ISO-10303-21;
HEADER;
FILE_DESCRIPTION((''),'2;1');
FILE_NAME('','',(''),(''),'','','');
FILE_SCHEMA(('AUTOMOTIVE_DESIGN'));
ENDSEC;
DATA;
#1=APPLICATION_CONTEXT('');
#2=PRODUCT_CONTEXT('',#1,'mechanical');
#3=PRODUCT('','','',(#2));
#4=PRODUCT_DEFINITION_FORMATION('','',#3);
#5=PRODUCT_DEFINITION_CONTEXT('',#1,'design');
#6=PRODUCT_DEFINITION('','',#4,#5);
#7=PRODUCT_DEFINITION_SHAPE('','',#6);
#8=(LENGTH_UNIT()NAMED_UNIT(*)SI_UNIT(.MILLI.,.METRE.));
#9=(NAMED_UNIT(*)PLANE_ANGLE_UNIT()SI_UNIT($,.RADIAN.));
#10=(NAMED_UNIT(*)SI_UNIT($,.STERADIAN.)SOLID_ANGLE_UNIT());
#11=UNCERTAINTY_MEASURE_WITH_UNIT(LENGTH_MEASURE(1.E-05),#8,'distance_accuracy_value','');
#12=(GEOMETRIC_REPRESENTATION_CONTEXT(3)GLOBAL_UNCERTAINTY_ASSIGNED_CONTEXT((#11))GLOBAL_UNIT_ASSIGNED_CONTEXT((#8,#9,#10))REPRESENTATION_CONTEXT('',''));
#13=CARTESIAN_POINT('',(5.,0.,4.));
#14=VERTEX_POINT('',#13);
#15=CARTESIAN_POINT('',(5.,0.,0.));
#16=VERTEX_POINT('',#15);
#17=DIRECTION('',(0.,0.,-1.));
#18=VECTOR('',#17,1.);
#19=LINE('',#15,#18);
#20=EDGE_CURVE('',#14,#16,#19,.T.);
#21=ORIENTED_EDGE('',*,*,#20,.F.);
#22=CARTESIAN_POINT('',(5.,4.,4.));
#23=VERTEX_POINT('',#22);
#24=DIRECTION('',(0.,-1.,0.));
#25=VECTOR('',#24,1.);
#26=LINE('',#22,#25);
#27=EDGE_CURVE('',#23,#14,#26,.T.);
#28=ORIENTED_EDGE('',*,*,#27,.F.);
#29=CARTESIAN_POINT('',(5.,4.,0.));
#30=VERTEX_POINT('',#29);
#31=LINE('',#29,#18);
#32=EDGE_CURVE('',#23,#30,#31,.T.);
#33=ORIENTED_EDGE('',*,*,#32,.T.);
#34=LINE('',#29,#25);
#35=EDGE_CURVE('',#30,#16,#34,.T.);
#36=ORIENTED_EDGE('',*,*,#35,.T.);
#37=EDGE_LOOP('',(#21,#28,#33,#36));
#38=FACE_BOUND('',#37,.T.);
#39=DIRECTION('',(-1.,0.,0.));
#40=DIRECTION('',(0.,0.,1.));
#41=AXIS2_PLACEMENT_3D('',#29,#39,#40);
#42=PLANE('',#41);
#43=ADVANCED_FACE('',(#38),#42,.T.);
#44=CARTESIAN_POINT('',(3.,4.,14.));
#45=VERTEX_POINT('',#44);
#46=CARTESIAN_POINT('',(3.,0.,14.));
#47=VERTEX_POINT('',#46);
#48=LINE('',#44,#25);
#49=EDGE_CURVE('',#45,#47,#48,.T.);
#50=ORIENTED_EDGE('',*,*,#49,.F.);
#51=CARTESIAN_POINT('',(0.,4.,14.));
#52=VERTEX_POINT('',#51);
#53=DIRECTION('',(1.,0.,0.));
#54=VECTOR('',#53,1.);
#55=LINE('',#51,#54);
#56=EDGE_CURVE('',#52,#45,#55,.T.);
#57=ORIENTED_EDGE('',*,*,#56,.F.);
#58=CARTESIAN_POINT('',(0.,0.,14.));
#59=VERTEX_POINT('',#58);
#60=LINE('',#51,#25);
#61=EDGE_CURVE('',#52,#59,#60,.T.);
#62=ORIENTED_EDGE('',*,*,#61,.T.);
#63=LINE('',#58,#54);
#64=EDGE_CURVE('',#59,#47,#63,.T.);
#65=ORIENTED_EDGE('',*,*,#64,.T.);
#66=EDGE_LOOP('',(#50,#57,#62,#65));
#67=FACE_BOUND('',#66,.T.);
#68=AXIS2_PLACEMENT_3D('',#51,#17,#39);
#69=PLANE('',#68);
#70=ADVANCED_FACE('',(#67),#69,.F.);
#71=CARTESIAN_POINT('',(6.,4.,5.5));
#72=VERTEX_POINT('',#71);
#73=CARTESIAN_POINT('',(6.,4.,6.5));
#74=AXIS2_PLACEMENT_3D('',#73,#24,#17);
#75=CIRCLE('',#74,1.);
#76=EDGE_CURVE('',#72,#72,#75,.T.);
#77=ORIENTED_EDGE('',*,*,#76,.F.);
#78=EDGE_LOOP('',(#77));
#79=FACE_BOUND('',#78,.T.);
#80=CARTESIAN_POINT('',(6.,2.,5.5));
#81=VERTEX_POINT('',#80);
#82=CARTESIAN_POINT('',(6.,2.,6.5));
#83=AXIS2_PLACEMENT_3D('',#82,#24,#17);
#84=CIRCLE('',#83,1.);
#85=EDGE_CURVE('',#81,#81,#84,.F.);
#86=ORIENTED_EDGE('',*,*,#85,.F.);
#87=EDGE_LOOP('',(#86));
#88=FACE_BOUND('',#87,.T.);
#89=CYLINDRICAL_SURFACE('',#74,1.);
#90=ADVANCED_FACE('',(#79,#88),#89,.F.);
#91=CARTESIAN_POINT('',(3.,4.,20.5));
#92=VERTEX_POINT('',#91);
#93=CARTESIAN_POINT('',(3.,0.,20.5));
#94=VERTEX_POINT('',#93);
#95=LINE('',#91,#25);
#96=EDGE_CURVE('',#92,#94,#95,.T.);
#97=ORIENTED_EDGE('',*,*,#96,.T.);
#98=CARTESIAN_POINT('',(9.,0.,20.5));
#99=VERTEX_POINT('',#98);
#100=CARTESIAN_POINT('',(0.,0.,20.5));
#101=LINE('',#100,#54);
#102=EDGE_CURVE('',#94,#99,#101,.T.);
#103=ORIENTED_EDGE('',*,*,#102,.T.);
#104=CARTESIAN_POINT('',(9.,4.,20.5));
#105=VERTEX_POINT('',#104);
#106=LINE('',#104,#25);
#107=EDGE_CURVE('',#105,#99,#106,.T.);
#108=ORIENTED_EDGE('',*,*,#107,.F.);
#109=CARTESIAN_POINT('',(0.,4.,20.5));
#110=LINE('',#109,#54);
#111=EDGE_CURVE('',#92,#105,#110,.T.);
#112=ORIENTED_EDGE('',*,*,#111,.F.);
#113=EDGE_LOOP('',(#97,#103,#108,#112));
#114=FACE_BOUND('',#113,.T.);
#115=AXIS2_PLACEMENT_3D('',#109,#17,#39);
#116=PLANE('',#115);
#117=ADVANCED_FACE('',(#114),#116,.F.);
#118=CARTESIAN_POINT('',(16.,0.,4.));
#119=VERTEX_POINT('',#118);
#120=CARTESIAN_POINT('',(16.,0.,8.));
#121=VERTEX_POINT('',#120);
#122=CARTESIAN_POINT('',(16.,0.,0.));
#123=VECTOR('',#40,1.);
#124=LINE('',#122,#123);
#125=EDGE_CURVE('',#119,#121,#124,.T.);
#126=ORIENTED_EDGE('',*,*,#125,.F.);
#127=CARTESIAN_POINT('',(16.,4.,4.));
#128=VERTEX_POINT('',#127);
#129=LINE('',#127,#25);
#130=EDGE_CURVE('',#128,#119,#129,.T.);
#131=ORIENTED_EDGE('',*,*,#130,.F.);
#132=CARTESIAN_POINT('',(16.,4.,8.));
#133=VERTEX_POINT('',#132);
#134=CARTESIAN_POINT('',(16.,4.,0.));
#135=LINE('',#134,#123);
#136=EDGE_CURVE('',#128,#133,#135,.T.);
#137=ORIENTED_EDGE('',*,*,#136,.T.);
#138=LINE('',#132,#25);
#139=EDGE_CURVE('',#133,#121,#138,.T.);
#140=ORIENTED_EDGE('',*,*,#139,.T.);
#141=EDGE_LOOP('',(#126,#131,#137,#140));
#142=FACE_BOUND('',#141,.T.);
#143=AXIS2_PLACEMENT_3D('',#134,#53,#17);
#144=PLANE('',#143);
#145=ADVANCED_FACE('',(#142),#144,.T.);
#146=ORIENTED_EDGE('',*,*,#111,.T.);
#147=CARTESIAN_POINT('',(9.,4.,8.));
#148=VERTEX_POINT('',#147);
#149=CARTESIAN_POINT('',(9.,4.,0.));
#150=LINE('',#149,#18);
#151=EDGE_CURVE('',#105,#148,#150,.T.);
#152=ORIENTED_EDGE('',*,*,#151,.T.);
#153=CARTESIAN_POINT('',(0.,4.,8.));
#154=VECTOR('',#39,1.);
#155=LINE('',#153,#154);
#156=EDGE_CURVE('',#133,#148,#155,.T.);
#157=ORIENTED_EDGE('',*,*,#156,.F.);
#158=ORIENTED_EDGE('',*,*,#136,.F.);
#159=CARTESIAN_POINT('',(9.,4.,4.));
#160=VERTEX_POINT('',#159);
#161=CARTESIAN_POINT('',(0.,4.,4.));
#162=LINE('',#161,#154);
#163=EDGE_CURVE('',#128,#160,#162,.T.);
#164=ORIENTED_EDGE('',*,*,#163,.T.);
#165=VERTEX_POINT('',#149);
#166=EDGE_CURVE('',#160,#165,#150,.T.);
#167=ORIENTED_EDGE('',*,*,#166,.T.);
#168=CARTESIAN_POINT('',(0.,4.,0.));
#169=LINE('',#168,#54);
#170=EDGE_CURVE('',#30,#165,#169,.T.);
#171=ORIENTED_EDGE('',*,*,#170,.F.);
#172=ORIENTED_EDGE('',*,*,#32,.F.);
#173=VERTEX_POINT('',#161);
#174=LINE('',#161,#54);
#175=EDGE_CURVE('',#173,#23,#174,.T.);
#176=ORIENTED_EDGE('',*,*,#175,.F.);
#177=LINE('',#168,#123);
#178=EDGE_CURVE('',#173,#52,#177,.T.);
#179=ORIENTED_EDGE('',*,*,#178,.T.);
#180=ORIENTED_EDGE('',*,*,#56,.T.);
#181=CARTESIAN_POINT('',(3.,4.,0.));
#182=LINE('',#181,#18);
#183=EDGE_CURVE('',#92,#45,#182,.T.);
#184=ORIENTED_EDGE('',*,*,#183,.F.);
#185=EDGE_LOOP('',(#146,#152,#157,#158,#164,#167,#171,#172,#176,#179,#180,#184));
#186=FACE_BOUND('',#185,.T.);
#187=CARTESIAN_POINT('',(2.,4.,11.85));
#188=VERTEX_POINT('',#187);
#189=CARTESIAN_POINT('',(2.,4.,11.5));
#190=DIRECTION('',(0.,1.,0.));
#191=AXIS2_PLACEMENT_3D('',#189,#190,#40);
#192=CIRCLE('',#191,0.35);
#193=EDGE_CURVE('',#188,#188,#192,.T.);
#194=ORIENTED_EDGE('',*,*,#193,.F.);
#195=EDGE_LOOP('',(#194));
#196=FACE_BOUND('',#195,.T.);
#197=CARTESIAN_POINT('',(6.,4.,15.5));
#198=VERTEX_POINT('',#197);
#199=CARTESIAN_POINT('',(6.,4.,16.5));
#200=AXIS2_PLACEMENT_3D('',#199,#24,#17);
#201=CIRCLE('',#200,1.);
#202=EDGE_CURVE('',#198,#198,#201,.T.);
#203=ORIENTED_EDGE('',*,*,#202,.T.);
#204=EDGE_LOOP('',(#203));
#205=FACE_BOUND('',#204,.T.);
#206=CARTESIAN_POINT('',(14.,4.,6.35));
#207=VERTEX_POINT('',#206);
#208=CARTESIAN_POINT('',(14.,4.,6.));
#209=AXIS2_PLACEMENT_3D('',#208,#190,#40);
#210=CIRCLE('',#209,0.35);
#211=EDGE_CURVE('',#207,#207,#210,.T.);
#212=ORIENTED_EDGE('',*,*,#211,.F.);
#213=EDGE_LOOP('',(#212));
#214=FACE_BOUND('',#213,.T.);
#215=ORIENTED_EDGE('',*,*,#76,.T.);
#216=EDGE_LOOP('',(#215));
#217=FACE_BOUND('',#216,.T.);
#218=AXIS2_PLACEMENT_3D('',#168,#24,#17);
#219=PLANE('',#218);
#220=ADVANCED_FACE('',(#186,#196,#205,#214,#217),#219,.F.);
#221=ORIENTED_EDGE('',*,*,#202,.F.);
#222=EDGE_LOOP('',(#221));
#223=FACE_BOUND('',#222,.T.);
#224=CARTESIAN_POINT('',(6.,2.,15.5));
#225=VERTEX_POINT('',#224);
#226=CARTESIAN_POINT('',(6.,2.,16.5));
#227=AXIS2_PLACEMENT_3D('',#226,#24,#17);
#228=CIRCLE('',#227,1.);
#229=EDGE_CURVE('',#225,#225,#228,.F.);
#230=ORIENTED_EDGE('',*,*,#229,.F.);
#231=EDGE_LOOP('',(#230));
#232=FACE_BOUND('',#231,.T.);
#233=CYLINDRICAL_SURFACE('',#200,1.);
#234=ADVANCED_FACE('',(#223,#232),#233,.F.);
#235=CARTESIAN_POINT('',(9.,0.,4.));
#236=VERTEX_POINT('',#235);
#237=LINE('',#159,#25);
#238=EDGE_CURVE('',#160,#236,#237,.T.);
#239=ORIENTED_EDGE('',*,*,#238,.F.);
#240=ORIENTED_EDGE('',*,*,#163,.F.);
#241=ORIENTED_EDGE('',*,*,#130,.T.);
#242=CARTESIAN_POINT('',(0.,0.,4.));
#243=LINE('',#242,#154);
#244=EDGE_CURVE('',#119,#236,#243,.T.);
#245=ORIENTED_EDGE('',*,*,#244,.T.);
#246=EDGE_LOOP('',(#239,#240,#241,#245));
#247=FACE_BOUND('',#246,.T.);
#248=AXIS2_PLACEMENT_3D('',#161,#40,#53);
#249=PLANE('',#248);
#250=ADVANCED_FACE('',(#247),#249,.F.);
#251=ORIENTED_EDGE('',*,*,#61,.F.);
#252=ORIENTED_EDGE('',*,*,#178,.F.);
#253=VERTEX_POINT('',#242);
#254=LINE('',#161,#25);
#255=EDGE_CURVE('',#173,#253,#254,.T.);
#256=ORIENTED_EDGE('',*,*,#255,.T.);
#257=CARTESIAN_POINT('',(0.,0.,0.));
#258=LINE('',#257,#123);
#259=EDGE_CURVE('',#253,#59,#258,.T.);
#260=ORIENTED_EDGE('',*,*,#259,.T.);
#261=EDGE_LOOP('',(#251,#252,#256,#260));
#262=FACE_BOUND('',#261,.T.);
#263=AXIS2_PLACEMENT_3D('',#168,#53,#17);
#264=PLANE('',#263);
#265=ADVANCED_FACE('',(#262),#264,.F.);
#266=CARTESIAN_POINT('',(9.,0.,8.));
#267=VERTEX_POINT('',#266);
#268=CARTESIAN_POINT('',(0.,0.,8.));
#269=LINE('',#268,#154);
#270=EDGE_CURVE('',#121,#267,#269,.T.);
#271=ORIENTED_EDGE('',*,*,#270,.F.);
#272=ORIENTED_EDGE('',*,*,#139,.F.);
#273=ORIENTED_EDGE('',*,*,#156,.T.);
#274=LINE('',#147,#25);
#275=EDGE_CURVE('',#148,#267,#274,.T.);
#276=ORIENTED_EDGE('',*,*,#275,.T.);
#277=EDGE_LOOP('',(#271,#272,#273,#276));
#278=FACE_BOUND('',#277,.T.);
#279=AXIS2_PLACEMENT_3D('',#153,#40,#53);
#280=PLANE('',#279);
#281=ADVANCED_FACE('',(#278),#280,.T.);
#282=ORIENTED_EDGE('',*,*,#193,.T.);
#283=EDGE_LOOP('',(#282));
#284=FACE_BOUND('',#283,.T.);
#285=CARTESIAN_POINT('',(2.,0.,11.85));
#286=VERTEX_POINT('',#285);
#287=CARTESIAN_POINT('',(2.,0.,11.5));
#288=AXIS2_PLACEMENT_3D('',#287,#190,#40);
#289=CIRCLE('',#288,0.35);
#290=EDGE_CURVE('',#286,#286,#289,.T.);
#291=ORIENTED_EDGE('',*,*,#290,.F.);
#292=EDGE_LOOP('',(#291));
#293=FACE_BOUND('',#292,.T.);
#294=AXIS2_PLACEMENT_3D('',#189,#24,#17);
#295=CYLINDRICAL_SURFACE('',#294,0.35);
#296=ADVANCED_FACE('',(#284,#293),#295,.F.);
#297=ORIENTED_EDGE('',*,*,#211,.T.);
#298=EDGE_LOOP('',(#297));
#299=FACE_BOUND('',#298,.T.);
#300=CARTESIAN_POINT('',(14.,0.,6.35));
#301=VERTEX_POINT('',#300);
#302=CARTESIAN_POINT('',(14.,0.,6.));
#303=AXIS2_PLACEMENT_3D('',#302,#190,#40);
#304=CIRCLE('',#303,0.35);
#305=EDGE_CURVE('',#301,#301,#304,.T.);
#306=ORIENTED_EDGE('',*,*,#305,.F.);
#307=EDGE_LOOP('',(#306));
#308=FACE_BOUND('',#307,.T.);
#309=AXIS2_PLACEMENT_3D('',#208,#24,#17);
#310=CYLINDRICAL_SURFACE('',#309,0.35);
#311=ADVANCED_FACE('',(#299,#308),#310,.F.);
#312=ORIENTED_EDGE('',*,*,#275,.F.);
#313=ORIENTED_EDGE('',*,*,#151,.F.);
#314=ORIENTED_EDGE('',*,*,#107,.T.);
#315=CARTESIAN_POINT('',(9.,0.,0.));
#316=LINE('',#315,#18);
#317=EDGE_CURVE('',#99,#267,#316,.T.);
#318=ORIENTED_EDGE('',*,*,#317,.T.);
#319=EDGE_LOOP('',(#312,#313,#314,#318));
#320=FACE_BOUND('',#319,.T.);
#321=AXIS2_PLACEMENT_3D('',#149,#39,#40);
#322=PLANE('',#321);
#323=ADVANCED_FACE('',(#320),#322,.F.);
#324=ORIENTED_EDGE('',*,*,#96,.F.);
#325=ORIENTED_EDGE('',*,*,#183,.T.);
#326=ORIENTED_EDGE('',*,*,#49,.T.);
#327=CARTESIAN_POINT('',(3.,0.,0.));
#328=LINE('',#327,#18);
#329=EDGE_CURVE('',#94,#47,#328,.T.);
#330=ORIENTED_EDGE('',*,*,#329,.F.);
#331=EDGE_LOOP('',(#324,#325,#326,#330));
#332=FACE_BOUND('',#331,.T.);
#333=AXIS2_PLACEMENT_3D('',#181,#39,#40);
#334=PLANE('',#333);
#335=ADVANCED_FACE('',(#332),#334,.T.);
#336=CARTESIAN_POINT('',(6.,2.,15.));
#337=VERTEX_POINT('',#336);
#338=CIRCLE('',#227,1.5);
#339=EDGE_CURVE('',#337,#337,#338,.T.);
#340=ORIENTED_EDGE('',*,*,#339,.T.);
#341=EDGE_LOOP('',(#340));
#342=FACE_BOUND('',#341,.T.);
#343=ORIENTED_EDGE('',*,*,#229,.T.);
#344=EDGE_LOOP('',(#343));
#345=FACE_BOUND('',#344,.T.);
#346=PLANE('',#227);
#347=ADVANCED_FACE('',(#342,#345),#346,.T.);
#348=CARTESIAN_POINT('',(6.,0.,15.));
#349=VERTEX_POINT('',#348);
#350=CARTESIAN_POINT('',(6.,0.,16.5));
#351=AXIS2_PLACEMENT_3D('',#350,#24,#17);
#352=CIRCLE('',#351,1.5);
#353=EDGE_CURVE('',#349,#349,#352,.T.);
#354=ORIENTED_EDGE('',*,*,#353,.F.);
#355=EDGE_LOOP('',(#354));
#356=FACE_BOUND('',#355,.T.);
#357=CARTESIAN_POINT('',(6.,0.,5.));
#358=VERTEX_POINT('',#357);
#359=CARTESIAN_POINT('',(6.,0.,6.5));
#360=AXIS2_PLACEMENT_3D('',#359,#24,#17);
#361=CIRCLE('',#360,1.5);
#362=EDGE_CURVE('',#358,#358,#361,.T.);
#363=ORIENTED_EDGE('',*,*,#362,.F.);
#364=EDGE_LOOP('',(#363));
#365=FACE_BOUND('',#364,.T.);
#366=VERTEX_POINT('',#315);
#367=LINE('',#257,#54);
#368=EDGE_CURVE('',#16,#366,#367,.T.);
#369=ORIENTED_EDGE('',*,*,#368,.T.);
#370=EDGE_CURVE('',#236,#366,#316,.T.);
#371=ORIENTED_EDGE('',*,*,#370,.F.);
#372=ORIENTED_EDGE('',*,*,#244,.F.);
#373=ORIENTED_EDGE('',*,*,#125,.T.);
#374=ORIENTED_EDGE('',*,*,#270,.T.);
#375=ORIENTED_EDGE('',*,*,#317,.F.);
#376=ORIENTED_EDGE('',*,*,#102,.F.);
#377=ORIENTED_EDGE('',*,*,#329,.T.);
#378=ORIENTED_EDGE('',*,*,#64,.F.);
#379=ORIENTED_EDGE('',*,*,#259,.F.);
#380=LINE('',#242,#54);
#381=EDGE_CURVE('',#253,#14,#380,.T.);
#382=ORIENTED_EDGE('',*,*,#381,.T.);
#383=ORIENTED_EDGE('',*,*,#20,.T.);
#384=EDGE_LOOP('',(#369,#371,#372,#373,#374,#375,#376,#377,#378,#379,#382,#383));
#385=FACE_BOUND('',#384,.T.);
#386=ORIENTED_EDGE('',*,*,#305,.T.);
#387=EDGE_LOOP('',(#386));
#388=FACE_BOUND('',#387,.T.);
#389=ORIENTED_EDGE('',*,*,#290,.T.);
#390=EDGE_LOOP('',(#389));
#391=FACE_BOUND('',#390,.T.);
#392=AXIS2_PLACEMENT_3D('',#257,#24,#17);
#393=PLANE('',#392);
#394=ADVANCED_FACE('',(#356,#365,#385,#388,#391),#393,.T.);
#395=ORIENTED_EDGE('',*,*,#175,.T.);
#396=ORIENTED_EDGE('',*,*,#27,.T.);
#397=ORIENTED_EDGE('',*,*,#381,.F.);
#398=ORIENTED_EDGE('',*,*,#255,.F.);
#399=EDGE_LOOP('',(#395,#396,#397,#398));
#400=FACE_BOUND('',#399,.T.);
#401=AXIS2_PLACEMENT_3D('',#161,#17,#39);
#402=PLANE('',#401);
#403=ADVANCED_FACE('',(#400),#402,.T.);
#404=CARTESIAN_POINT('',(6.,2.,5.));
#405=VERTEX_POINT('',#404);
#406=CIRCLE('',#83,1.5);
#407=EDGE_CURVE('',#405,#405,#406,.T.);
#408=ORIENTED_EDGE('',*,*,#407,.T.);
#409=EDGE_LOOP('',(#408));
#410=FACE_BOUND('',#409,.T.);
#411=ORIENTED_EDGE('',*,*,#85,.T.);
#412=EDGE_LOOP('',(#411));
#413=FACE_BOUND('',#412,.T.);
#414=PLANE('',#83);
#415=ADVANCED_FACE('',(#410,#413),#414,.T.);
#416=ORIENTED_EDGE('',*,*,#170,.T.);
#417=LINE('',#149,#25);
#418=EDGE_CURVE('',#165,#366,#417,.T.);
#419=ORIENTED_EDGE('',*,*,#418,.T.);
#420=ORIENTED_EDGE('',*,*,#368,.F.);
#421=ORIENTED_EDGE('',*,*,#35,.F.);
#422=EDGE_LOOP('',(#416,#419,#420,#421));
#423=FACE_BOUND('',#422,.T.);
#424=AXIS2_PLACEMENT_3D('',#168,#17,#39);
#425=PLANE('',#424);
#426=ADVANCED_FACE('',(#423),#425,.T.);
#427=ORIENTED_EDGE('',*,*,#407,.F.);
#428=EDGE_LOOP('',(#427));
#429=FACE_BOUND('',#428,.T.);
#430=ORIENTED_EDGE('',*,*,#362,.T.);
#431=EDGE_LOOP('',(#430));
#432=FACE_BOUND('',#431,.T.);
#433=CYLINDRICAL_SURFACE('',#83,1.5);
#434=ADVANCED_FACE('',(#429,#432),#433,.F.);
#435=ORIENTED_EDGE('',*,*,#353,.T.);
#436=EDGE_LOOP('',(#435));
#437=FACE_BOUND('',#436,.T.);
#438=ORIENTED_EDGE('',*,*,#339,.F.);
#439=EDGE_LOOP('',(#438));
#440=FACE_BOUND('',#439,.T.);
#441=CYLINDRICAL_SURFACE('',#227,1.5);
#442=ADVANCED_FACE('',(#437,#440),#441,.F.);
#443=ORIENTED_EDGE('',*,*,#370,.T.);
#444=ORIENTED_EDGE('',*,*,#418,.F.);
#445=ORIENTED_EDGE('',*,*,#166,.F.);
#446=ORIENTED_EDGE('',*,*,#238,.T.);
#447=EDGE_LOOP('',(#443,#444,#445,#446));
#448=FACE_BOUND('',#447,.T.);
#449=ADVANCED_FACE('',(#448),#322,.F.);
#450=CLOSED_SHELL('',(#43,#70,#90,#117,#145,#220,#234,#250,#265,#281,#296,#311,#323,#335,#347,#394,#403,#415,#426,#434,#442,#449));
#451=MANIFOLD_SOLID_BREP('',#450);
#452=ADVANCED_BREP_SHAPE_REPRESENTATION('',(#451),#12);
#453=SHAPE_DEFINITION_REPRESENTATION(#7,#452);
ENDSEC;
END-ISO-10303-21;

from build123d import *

# Parameters (mm, degrees)
SKETCH_1_W          = 16
SKETCH_1_H          = 23
SKETCH_1_R          = 0.35
EXTRUDE_1_DEPTH     = 4
SKETCH_2_R          = 1
CUT_EXTRUDE_1_DEPTH = 29.301943396
SKETCH_3_R          = 1.5
CUT_EXTRUDE_2_DEPTH = 2
SKETCH_4_W          = 6
SKETCH_4_H          = 2.5
SKETCH_4_W_2        = 7
SKETCH_4_H_2        = 4
SKETCH_4_W_3        = 5
CUT_EXTRUDE_3_DEPTH = 29.301943396


with BuildPart() as part:
    # 草图1 → 凸台-拉伸1 (new body)
    with BuildSketch(Plane(origin=(0, 0, 0), x_dir=(1, 0, 0), z_dir=(0, 1, 0))):
        with Locations((8, -11.5)):
            Rectangle(SKETCH_1_W, SKETCH_1_H)
        with Locations(Location((14, -6, 0), (0, 0, 270))):
            Circle(SKETCH_1_R, mode=Mode.SUBTRACT)
        with Locations(Location((2, -11.5, 0), (0, 0, 270))):
            Circle(SKETCH_1_R, mode=Mode.SUBTRACT)
    extrude(amount=EXTRUDE_1_DEPTH)

    # 草图2 → 切除-拉伸1 (cut, through all)
    with BuildSketch(Plane.XZ):
        with Locations(Location((6, 16.5, 0), (0, 0, 270))):
            Circle(SKETCH_2_R)
        with Locations(Location((6, 6.5, 0), (0, 0, 270))):
            Circle(SKETCH_2_R)
    extrude(amount=-CUT_EXTRUDE_1_DEPTH, mode=Mode.SUBTRACT)

    # 草图3 → 切除-拉伸2 (cut)
    with BuildSketch(Plane.XZ):
        with Locations(Location((6, 16.5, 0), (0, 0, 270))):
            Circle(SKETCH_3_R)
        with Locations(Location((6, 6.5, 0), (0, 0, 270))):
            Circle(SKETCH_3_R)
    extrude(amount=-CUT_EXTRUDE_2_DEPTH, mode=Mode.SUBTRACT)

    # 草图4 → 切除-拉伸3 (cut, through all)
    with BuildSketch(Plane.XZ):
        with Locations((6, 21.75)):
            Rectangle(SKETCH_4_W, SKETCH_4_H)
        Polygon((3, 23), (0, 23), (0, 14), (3, 14), (3, 20.5), align=None)
        Polygon((16, 23), (9, 23), (9, 20.5), (9, 8), (16, 8), align=None)
        with Locations((12.5, 2)):
            Rectangle(SKETCH_4_W_2, SKETCH_4_H_2)
        with Locations((2.5, 2)):
            Rectangle(SKETCH_4_W_3, SKETCH_4_H_2)
    extrude(amount=-CUT_EXTRUDE_3_DEPTH, mode=Mode.SUBTRACT)


solid = part.part
